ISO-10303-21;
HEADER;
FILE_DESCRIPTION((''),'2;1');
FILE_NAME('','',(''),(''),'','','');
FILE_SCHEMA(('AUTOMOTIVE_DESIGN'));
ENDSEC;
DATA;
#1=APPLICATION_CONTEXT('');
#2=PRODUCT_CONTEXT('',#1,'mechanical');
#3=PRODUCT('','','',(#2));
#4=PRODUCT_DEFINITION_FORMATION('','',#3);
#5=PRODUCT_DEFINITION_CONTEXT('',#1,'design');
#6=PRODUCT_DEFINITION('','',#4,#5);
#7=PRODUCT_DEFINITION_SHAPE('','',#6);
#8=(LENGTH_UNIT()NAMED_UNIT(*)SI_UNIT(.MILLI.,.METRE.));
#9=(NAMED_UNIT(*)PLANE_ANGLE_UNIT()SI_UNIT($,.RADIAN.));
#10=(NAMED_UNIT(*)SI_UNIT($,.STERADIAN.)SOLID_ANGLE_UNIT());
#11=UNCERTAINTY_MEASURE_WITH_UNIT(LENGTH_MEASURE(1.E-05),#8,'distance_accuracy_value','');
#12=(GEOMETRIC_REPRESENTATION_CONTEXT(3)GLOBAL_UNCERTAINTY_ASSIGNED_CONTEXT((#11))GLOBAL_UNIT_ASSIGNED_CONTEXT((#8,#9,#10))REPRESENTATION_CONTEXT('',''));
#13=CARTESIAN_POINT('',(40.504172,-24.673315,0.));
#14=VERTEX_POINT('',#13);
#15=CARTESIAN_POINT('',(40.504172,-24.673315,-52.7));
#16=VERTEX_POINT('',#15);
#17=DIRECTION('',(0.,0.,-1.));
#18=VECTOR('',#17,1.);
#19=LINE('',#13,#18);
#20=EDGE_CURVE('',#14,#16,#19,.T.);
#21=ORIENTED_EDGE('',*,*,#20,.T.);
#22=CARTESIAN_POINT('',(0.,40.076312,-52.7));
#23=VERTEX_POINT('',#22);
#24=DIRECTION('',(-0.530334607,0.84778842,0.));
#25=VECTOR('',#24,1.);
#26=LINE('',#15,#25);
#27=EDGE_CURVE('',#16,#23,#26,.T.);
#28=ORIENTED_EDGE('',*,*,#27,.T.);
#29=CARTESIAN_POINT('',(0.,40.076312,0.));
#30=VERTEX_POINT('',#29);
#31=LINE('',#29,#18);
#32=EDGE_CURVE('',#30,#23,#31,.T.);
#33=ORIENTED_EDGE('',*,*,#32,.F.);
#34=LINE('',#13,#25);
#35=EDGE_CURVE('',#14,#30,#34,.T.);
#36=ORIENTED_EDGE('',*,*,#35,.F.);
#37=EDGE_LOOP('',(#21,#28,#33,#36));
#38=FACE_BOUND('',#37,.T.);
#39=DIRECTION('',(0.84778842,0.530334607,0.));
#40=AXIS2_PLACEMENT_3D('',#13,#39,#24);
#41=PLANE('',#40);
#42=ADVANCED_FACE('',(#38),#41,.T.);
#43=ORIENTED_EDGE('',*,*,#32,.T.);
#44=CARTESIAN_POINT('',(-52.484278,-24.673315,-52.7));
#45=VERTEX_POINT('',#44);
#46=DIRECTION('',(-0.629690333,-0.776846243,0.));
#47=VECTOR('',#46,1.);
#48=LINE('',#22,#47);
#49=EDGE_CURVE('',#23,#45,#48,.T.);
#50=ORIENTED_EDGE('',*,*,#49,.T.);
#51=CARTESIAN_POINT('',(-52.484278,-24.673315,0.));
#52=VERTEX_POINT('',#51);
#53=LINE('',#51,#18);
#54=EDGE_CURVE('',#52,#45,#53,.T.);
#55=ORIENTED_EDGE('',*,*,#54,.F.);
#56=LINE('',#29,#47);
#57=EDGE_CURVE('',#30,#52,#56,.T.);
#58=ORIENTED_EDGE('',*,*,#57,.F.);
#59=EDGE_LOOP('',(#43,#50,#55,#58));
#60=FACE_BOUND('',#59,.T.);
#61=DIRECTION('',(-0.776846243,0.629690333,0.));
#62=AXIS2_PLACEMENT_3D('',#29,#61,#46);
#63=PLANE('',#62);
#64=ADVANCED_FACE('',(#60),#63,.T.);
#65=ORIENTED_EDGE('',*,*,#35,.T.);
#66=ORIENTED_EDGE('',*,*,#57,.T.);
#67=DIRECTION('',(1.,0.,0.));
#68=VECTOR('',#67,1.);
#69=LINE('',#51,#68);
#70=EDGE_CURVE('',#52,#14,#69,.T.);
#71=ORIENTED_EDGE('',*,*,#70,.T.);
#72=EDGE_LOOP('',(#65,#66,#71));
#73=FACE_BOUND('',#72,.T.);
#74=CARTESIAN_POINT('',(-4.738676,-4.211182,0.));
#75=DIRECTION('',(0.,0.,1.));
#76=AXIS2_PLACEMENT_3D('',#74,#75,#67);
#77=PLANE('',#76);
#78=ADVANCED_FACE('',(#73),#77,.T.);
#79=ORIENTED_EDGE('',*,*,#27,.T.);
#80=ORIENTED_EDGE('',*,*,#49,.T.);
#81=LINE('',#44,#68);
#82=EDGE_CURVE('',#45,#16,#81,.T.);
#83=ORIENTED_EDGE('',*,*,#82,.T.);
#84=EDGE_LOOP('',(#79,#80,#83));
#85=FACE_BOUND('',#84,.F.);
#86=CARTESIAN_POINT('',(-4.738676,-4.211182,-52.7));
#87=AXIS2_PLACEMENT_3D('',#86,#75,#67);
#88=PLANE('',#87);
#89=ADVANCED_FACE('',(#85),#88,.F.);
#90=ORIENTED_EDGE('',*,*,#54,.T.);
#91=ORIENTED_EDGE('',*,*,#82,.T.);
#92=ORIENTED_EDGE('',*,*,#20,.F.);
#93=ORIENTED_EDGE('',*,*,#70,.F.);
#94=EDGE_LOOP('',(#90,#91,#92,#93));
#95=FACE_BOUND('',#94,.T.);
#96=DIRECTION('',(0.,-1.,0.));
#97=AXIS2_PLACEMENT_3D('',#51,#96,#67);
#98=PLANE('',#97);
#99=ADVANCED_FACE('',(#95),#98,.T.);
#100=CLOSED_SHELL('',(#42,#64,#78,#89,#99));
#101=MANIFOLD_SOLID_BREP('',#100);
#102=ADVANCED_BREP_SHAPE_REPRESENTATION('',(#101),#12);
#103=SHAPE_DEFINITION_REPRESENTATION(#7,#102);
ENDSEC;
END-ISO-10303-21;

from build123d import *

# Parameters (mm, degrees)
F1_DEPTH = 52.7


with BuildPart() as f1:
    # F0 (on Top) → F1 (new body)
    with BuildSketch(Plane.XY):
        Polygon((40.504172, -24.673315), (0, 40.076312), (-52.484278, -24.673315), align=None)
    extrude(amount=-F1_DEPTH)


solid = f1.part
